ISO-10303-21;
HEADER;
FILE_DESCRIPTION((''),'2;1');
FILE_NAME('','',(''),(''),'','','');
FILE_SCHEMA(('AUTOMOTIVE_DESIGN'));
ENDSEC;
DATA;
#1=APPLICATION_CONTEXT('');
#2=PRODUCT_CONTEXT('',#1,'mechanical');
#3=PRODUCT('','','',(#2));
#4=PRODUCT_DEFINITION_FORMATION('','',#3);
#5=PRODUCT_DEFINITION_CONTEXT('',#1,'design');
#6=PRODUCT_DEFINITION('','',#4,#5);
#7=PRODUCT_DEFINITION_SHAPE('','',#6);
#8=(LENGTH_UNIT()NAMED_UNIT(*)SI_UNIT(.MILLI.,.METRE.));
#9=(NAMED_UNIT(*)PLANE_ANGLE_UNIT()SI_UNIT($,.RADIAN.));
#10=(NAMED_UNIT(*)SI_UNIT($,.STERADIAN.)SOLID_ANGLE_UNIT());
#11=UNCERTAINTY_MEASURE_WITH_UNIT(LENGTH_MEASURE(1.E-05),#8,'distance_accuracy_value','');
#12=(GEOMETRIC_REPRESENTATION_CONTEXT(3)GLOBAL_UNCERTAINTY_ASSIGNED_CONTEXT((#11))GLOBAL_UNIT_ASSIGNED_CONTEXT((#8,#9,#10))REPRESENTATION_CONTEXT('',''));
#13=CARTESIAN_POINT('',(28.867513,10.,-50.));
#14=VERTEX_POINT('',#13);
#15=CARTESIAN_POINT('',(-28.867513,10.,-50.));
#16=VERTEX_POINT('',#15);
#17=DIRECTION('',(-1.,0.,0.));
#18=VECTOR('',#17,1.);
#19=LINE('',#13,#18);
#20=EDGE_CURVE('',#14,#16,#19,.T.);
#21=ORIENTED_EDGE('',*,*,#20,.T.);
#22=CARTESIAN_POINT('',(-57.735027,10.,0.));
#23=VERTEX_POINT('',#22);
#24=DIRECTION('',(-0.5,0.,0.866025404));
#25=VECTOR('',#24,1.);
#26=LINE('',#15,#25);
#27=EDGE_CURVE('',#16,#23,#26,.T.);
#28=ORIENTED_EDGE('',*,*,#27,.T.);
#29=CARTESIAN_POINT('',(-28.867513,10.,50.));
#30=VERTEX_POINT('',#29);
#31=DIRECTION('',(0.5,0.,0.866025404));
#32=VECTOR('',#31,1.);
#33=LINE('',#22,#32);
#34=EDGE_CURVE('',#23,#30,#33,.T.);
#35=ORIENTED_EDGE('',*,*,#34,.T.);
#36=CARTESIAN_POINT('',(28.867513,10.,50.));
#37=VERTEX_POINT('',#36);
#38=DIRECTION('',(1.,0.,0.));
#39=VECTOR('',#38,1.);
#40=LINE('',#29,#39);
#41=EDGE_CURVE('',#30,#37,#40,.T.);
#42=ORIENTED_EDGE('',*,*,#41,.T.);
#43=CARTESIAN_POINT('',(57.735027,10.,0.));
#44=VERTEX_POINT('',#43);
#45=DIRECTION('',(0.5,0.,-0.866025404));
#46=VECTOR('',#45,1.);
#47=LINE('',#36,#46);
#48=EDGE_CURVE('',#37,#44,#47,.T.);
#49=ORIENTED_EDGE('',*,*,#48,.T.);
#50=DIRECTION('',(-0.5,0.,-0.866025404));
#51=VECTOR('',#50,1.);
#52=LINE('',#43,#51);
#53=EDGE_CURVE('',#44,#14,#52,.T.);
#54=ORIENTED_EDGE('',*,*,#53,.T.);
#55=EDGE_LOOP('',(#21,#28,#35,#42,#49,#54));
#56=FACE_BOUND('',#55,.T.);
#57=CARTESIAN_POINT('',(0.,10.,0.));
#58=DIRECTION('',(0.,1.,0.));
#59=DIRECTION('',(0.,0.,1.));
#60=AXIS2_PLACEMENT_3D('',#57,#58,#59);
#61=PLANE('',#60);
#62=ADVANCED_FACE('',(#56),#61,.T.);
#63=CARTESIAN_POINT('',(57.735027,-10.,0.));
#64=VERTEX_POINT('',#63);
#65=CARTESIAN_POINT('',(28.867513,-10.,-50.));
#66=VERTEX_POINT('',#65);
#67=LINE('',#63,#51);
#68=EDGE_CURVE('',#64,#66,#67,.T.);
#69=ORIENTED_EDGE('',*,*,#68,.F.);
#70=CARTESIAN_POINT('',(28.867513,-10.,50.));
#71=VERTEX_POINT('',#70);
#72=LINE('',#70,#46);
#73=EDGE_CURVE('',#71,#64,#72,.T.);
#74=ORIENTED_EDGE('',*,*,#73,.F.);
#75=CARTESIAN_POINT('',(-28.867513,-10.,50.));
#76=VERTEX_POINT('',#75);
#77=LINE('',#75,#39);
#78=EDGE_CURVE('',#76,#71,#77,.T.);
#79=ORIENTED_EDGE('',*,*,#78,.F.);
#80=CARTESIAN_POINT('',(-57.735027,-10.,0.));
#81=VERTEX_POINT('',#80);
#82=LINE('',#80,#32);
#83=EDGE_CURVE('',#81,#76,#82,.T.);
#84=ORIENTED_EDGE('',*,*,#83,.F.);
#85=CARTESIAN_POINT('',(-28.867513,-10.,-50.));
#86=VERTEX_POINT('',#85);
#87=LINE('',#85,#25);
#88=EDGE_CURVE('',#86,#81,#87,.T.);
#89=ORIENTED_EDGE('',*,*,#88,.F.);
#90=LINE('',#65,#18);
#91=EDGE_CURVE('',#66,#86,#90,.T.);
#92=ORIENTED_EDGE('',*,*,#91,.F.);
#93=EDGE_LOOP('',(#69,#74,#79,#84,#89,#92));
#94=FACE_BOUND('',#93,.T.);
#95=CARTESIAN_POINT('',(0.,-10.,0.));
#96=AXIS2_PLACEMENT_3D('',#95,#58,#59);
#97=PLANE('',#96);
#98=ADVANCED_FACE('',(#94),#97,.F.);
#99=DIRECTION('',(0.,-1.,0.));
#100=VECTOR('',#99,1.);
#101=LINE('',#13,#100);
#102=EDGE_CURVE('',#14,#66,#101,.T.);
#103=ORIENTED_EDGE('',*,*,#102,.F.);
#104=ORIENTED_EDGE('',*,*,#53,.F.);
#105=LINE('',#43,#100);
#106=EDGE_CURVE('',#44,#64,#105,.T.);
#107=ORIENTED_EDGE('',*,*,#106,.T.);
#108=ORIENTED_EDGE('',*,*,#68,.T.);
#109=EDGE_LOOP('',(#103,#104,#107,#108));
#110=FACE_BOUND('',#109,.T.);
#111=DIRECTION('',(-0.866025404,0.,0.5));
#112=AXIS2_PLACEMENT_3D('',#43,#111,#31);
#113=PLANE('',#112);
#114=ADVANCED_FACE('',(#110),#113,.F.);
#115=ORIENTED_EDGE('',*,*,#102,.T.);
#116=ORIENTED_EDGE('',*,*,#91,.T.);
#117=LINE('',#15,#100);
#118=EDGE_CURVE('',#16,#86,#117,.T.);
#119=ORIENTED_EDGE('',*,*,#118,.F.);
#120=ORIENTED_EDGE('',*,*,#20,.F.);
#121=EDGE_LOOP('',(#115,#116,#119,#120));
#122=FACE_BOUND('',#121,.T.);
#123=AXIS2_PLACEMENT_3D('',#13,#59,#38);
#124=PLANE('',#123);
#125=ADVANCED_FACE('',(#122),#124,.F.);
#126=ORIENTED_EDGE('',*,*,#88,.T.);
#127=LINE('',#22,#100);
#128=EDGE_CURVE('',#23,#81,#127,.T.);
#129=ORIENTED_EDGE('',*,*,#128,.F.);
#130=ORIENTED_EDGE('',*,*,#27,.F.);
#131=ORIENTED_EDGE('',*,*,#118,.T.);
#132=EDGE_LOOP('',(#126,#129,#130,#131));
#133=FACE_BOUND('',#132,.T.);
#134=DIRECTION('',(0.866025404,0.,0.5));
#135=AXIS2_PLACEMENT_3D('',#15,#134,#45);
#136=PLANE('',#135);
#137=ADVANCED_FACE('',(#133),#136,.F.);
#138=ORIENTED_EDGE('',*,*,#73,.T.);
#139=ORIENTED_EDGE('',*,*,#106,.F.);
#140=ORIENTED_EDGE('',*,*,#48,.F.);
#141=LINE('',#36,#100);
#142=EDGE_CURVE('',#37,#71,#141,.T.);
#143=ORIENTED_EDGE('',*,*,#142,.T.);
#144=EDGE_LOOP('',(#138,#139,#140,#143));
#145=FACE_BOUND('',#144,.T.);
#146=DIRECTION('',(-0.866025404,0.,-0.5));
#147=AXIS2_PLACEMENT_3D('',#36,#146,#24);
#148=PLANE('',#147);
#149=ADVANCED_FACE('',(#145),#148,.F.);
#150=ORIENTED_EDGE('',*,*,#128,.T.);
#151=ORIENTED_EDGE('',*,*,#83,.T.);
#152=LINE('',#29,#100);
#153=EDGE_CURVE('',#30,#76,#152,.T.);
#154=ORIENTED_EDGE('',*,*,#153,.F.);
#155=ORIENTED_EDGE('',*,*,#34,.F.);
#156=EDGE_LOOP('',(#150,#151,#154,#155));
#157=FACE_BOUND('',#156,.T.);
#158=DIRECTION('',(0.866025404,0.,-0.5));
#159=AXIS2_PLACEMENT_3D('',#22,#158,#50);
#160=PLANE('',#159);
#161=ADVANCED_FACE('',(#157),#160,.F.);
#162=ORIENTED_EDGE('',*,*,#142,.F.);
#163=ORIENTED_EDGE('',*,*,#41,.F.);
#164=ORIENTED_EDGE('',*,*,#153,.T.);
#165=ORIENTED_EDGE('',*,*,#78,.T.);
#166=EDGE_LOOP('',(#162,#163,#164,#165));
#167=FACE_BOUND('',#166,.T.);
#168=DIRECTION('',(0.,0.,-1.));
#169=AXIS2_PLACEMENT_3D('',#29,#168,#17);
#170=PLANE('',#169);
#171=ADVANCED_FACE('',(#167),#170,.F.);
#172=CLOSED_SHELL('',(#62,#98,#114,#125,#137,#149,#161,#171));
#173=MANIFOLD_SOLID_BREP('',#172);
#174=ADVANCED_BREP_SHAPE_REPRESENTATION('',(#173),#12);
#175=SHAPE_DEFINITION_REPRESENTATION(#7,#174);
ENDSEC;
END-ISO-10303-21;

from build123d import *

# Parameters (mm, degrees)
BOSS_EXTRUDE1_DEPTH = 10


with BuildPart() as part:
    # Sketch1 → Boss-Extrude1 (new, symmetric)
    with BuildSketch(Plane(origin=(0, 0, 0), x_dir=(1, 0, 0), z_dir=(0, 1, 0))):
        Polygon((28.867513459, 50), (-28.867513459, 50), (-57.735026919, 0), (-28.867513459, -50), (28.867513459, -50), (57.735026919, 0), align=None)
    extrude(amount=BOSS_EXTRUDE1_DEPTH, both=True)


solid = part.part
